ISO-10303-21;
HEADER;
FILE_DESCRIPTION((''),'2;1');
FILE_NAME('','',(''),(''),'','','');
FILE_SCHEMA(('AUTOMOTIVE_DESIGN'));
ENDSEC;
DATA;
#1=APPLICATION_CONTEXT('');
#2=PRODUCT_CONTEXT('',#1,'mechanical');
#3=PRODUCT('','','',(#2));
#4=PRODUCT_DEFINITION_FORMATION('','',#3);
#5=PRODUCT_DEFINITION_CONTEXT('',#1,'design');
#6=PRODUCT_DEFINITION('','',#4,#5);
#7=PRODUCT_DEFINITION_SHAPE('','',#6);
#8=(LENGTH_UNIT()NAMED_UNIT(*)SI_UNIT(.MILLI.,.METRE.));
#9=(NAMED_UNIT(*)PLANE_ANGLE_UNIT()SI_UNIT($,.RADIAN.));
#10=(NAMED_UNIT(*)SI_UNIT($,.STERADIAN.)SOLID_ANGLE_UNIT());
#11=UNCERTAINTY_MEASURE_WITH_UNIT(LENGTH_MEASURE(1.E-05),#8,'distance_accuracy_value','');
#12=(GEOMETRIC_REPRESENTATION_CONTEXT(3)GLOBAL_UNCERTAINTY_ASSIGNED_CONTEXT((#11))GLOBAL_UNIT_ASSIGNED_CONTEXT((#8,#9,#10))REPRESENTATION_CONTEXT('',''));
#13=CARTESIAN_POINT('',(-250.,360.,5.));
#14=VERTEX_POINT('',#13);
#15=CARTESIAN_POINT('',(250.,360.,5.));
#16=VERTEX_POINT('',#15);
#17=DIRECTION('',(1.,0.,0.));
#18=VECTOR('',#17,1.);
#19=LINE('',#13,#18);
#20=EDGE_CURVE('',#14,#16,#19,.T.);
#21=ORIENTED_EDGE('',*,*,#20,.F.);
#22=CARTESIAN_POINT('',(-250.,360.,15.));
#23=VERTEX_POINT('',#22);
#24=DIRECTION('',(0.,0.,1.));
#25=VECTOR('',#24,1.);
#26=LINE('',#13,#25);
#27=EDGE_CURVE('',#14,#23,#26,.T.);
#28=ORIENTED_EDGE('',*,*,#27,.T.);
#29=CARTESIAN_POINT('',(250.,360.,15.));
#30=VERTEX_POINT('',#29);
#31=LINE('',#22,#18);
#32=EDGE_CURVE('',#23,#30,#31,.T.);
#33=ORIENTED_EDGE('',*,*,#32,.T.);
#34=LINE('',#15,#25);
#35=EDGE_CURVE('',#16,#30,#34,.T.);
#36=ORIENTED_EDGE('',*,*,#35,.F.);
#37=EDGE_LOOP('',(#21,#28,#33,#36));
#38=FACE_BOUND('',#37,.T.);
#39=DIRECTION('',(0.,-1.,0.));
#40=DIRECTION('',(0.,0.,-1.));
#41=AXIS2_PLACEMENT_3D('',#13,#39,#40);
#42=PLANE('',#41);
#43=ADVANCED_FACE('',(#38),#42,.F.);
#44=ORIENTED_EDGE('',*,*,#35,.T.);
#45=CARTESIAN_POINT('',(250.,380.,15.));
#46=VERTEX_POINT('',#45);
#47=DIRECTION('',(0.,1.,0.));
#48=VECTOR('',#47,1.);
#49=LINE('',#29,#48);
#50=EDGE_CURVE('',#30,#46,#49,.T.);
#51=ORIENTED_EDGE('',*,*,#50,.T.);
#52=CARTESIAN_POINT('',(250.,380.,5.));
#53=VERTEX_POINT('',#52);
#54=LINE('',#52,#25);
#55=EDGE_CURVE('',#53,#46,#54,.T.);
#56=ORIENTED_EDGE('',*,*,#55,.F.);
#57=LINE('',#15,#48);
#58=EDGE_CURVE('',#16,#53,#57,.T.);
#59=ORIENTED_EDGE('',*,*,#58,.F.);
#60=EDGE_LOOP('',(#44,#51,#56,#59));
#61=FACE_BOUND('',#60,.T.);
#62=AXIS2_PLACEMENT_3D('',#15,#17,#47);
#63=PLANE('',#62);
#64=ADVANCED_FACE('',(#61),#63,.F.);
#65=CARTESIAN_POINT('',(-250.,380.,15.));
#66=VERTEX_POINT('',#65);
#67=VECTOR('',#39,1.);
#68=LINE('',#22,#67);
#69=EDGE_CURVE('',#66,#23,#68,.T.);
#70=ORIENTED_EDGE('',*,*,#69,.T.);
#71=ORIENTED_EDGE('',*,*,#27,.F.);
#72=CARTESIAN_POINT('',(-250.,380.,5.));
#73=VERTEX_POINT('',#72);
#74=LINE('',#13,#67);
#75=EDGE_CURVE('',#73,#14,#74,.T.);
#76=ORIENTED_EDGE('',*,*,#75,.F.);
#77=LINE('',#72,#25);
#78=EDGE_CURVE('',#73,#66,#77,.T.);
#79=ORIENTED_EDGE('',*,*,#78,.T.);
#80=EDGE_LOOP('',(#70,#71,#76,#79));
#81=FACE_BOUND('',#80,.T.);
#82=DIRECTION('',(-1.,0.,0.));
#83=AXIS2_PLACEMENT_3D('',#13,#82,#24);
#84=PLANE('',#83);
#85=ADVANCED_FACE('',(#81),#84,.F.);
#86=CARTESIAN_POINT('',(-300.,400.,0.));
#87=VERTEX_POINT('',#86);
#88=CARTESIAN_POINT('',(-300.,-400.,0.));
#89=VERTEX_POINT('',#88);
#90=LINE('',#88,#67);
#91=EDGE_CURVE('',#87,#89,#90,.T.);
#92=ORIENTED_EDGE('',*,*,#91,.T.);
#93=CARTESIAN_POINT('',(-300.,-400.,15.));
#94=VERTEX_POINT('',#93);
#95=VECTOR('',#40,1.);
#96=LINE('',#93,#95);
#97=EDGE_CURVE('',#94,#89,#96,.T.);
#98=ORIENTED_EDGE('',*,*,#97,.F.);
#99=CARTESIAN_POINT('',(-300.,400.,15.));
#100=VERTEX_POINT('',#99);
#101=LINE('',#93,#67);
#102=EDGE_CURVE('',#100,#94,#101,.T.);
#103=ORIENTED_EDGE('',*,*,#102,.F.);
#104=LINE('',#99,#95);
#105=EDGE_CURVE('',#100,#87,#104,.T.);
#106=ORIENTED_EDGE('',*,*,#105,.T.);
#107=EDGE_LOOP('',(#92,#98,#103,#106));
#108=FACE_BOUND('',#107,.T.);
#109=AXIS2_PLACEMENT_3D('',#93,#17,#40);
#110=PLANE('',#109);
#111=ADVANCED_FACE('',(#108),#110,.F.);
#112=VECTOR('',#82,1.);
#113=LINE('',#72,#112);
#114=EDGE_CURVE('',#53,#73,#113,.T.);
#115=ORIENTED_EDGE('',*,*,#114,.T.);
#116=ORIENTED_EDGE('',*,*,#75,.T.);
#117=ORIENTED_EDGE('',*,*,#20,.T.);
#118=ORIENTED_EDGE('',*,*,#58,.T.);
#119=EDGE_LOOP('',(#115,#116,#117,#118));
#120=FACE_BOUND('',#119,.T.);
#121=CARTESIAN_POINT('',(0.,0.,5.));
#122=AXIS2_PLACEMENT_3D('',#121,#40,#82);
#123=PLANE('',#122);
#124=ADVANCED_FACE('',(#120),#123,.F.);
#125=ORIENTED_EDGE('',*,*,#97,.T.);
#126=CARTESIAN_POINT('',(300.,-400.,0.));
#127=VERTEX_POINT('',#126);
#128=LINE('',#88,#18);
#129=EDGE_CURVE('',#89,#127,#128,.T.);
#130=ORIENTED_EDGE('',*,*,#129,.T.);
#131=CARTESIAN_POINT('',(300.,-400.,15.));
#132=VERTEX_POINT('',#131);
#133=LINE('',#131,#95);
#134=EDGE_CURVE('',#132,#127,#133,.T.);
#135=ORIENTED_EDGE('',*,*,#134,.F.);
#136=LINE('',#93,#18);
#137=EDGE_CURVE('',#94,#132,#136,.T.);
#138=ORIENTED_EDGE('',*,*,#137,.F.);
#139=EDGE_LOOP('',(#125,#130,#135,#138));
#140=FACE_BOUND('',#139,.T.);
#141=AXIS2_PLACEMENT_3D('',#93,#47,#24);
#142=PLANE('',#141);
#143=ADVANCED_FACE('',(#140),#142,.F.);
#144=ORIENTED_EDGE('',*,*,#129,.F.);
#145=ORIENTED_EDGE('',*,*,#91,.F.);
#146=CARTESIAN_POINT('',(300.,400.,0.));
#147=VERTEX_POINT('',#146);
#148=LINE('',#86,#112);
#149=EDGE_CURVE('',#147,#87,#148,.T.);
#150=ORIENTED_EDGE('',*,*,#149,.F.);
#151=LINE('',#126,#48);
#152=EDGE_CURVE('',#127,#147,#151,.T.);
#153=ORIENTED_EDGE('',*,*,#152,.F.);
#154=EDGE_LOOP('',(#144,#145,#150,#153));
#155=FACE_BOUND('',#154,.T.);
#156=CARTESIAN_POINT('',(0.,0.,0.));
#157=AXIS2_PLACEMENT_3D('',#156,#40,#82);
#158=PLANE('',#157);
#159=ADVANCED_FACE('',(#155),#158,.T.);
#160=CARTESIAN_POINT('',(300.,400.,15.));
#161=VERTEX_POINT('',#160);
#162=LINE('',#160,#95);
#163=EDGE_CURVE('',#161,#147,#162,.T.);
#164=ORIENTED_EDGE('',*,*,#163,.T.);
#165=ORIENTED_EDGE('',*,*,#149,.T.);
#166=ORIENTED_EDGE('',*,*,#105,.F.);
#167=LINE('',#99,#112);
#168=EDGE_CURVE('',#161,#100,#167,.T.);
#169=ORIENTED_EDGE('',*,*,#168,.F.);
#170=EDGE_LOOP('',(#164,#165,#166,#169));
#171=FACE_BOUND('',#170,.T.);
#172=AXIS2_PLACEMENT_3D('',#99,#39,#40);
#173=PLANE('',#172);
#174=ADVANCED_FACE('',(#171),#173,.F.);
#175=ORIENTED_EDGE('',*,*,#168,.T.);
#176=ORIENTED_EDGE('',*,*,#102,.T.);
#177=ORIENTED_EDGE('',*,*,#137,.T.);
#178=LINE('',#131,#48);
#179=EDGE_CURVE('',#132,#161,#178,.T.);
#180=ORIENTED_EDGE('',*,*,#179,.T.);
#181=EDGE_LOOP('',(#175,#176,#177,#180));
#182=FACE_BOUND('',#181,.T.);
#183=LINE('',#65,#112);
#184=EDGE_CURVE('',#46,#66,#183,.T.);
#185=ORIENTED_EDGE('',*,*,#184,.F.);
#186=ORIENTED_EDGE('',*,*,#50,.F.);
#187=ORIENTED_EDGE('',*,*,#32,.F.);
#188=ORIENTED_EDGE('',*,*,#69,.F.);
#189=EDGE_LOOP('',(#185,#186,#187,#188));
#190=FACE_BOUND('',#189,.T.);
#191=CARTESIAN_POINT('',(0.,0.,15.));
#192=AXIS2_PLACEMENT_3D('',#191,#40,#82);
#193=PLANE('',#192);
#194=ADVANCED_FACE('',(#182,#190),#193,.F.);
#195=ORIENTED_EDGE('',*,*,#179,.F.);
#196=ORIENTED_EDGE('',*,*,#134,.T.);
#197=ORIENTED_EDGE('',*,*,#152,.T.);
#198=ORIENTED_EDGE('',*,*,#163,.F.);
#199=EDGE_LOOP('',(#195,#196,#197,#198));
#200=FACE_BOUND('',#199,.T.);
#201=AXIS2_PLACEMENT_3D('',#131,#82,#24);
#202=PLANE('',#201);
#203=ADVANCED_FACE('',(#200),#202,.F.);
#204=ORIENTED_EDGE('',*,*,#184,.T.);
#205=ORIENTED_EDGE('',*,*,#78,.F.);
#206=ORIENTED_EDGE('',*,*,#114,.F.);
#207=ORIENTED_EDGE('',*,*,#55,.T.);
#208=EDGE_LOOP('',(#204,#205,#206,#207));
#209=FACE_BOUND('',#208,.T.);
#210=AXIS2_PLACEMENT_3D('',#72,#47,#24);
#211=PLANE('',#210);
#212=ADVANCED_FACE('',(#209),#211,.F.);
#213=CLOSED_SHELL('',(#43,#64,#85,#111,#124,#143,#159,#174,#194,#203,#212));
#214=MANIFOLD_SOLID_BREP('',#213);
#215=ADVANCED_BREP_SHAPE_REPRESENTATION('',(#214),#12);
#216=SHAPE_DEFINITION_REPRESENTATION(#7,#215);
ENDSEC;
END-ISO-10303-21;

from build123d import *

# Parameters (mm, degrees)
CROQUIS1_W              = 600
CROQUIS1_H              = 800
SALIENTE_EXTRUIR1_DEPTH = 15
CROQUIS2_W              = 500
CROQUIS2_H              = 20
CORTAR_EXTRUIR1_DEPTH   = 10


with BuildPart() as part:
    # Croquis1 → Saliente-Extruir1 (new body)
    with BuildSketch(Plane.XY):
        Rectangle(CROQUIS1_W, CROQUIS1_H)
    extrude(amount=SALIENTE_EXTRUIR1_DEPTH)

    # Croquis2 → Cortar-Extruir1 (cut)
    with BuildSketch(Plane.XY.offset(15)):
        with Locations((0, 370)):
            Rectangle(CROQUIS2_W, CROQUIS2_H)
    extrude(amount=-CORTAR_EXTRUIR1_DEPTH, mode=Mode.SUBTRACT)


solid = part.part
